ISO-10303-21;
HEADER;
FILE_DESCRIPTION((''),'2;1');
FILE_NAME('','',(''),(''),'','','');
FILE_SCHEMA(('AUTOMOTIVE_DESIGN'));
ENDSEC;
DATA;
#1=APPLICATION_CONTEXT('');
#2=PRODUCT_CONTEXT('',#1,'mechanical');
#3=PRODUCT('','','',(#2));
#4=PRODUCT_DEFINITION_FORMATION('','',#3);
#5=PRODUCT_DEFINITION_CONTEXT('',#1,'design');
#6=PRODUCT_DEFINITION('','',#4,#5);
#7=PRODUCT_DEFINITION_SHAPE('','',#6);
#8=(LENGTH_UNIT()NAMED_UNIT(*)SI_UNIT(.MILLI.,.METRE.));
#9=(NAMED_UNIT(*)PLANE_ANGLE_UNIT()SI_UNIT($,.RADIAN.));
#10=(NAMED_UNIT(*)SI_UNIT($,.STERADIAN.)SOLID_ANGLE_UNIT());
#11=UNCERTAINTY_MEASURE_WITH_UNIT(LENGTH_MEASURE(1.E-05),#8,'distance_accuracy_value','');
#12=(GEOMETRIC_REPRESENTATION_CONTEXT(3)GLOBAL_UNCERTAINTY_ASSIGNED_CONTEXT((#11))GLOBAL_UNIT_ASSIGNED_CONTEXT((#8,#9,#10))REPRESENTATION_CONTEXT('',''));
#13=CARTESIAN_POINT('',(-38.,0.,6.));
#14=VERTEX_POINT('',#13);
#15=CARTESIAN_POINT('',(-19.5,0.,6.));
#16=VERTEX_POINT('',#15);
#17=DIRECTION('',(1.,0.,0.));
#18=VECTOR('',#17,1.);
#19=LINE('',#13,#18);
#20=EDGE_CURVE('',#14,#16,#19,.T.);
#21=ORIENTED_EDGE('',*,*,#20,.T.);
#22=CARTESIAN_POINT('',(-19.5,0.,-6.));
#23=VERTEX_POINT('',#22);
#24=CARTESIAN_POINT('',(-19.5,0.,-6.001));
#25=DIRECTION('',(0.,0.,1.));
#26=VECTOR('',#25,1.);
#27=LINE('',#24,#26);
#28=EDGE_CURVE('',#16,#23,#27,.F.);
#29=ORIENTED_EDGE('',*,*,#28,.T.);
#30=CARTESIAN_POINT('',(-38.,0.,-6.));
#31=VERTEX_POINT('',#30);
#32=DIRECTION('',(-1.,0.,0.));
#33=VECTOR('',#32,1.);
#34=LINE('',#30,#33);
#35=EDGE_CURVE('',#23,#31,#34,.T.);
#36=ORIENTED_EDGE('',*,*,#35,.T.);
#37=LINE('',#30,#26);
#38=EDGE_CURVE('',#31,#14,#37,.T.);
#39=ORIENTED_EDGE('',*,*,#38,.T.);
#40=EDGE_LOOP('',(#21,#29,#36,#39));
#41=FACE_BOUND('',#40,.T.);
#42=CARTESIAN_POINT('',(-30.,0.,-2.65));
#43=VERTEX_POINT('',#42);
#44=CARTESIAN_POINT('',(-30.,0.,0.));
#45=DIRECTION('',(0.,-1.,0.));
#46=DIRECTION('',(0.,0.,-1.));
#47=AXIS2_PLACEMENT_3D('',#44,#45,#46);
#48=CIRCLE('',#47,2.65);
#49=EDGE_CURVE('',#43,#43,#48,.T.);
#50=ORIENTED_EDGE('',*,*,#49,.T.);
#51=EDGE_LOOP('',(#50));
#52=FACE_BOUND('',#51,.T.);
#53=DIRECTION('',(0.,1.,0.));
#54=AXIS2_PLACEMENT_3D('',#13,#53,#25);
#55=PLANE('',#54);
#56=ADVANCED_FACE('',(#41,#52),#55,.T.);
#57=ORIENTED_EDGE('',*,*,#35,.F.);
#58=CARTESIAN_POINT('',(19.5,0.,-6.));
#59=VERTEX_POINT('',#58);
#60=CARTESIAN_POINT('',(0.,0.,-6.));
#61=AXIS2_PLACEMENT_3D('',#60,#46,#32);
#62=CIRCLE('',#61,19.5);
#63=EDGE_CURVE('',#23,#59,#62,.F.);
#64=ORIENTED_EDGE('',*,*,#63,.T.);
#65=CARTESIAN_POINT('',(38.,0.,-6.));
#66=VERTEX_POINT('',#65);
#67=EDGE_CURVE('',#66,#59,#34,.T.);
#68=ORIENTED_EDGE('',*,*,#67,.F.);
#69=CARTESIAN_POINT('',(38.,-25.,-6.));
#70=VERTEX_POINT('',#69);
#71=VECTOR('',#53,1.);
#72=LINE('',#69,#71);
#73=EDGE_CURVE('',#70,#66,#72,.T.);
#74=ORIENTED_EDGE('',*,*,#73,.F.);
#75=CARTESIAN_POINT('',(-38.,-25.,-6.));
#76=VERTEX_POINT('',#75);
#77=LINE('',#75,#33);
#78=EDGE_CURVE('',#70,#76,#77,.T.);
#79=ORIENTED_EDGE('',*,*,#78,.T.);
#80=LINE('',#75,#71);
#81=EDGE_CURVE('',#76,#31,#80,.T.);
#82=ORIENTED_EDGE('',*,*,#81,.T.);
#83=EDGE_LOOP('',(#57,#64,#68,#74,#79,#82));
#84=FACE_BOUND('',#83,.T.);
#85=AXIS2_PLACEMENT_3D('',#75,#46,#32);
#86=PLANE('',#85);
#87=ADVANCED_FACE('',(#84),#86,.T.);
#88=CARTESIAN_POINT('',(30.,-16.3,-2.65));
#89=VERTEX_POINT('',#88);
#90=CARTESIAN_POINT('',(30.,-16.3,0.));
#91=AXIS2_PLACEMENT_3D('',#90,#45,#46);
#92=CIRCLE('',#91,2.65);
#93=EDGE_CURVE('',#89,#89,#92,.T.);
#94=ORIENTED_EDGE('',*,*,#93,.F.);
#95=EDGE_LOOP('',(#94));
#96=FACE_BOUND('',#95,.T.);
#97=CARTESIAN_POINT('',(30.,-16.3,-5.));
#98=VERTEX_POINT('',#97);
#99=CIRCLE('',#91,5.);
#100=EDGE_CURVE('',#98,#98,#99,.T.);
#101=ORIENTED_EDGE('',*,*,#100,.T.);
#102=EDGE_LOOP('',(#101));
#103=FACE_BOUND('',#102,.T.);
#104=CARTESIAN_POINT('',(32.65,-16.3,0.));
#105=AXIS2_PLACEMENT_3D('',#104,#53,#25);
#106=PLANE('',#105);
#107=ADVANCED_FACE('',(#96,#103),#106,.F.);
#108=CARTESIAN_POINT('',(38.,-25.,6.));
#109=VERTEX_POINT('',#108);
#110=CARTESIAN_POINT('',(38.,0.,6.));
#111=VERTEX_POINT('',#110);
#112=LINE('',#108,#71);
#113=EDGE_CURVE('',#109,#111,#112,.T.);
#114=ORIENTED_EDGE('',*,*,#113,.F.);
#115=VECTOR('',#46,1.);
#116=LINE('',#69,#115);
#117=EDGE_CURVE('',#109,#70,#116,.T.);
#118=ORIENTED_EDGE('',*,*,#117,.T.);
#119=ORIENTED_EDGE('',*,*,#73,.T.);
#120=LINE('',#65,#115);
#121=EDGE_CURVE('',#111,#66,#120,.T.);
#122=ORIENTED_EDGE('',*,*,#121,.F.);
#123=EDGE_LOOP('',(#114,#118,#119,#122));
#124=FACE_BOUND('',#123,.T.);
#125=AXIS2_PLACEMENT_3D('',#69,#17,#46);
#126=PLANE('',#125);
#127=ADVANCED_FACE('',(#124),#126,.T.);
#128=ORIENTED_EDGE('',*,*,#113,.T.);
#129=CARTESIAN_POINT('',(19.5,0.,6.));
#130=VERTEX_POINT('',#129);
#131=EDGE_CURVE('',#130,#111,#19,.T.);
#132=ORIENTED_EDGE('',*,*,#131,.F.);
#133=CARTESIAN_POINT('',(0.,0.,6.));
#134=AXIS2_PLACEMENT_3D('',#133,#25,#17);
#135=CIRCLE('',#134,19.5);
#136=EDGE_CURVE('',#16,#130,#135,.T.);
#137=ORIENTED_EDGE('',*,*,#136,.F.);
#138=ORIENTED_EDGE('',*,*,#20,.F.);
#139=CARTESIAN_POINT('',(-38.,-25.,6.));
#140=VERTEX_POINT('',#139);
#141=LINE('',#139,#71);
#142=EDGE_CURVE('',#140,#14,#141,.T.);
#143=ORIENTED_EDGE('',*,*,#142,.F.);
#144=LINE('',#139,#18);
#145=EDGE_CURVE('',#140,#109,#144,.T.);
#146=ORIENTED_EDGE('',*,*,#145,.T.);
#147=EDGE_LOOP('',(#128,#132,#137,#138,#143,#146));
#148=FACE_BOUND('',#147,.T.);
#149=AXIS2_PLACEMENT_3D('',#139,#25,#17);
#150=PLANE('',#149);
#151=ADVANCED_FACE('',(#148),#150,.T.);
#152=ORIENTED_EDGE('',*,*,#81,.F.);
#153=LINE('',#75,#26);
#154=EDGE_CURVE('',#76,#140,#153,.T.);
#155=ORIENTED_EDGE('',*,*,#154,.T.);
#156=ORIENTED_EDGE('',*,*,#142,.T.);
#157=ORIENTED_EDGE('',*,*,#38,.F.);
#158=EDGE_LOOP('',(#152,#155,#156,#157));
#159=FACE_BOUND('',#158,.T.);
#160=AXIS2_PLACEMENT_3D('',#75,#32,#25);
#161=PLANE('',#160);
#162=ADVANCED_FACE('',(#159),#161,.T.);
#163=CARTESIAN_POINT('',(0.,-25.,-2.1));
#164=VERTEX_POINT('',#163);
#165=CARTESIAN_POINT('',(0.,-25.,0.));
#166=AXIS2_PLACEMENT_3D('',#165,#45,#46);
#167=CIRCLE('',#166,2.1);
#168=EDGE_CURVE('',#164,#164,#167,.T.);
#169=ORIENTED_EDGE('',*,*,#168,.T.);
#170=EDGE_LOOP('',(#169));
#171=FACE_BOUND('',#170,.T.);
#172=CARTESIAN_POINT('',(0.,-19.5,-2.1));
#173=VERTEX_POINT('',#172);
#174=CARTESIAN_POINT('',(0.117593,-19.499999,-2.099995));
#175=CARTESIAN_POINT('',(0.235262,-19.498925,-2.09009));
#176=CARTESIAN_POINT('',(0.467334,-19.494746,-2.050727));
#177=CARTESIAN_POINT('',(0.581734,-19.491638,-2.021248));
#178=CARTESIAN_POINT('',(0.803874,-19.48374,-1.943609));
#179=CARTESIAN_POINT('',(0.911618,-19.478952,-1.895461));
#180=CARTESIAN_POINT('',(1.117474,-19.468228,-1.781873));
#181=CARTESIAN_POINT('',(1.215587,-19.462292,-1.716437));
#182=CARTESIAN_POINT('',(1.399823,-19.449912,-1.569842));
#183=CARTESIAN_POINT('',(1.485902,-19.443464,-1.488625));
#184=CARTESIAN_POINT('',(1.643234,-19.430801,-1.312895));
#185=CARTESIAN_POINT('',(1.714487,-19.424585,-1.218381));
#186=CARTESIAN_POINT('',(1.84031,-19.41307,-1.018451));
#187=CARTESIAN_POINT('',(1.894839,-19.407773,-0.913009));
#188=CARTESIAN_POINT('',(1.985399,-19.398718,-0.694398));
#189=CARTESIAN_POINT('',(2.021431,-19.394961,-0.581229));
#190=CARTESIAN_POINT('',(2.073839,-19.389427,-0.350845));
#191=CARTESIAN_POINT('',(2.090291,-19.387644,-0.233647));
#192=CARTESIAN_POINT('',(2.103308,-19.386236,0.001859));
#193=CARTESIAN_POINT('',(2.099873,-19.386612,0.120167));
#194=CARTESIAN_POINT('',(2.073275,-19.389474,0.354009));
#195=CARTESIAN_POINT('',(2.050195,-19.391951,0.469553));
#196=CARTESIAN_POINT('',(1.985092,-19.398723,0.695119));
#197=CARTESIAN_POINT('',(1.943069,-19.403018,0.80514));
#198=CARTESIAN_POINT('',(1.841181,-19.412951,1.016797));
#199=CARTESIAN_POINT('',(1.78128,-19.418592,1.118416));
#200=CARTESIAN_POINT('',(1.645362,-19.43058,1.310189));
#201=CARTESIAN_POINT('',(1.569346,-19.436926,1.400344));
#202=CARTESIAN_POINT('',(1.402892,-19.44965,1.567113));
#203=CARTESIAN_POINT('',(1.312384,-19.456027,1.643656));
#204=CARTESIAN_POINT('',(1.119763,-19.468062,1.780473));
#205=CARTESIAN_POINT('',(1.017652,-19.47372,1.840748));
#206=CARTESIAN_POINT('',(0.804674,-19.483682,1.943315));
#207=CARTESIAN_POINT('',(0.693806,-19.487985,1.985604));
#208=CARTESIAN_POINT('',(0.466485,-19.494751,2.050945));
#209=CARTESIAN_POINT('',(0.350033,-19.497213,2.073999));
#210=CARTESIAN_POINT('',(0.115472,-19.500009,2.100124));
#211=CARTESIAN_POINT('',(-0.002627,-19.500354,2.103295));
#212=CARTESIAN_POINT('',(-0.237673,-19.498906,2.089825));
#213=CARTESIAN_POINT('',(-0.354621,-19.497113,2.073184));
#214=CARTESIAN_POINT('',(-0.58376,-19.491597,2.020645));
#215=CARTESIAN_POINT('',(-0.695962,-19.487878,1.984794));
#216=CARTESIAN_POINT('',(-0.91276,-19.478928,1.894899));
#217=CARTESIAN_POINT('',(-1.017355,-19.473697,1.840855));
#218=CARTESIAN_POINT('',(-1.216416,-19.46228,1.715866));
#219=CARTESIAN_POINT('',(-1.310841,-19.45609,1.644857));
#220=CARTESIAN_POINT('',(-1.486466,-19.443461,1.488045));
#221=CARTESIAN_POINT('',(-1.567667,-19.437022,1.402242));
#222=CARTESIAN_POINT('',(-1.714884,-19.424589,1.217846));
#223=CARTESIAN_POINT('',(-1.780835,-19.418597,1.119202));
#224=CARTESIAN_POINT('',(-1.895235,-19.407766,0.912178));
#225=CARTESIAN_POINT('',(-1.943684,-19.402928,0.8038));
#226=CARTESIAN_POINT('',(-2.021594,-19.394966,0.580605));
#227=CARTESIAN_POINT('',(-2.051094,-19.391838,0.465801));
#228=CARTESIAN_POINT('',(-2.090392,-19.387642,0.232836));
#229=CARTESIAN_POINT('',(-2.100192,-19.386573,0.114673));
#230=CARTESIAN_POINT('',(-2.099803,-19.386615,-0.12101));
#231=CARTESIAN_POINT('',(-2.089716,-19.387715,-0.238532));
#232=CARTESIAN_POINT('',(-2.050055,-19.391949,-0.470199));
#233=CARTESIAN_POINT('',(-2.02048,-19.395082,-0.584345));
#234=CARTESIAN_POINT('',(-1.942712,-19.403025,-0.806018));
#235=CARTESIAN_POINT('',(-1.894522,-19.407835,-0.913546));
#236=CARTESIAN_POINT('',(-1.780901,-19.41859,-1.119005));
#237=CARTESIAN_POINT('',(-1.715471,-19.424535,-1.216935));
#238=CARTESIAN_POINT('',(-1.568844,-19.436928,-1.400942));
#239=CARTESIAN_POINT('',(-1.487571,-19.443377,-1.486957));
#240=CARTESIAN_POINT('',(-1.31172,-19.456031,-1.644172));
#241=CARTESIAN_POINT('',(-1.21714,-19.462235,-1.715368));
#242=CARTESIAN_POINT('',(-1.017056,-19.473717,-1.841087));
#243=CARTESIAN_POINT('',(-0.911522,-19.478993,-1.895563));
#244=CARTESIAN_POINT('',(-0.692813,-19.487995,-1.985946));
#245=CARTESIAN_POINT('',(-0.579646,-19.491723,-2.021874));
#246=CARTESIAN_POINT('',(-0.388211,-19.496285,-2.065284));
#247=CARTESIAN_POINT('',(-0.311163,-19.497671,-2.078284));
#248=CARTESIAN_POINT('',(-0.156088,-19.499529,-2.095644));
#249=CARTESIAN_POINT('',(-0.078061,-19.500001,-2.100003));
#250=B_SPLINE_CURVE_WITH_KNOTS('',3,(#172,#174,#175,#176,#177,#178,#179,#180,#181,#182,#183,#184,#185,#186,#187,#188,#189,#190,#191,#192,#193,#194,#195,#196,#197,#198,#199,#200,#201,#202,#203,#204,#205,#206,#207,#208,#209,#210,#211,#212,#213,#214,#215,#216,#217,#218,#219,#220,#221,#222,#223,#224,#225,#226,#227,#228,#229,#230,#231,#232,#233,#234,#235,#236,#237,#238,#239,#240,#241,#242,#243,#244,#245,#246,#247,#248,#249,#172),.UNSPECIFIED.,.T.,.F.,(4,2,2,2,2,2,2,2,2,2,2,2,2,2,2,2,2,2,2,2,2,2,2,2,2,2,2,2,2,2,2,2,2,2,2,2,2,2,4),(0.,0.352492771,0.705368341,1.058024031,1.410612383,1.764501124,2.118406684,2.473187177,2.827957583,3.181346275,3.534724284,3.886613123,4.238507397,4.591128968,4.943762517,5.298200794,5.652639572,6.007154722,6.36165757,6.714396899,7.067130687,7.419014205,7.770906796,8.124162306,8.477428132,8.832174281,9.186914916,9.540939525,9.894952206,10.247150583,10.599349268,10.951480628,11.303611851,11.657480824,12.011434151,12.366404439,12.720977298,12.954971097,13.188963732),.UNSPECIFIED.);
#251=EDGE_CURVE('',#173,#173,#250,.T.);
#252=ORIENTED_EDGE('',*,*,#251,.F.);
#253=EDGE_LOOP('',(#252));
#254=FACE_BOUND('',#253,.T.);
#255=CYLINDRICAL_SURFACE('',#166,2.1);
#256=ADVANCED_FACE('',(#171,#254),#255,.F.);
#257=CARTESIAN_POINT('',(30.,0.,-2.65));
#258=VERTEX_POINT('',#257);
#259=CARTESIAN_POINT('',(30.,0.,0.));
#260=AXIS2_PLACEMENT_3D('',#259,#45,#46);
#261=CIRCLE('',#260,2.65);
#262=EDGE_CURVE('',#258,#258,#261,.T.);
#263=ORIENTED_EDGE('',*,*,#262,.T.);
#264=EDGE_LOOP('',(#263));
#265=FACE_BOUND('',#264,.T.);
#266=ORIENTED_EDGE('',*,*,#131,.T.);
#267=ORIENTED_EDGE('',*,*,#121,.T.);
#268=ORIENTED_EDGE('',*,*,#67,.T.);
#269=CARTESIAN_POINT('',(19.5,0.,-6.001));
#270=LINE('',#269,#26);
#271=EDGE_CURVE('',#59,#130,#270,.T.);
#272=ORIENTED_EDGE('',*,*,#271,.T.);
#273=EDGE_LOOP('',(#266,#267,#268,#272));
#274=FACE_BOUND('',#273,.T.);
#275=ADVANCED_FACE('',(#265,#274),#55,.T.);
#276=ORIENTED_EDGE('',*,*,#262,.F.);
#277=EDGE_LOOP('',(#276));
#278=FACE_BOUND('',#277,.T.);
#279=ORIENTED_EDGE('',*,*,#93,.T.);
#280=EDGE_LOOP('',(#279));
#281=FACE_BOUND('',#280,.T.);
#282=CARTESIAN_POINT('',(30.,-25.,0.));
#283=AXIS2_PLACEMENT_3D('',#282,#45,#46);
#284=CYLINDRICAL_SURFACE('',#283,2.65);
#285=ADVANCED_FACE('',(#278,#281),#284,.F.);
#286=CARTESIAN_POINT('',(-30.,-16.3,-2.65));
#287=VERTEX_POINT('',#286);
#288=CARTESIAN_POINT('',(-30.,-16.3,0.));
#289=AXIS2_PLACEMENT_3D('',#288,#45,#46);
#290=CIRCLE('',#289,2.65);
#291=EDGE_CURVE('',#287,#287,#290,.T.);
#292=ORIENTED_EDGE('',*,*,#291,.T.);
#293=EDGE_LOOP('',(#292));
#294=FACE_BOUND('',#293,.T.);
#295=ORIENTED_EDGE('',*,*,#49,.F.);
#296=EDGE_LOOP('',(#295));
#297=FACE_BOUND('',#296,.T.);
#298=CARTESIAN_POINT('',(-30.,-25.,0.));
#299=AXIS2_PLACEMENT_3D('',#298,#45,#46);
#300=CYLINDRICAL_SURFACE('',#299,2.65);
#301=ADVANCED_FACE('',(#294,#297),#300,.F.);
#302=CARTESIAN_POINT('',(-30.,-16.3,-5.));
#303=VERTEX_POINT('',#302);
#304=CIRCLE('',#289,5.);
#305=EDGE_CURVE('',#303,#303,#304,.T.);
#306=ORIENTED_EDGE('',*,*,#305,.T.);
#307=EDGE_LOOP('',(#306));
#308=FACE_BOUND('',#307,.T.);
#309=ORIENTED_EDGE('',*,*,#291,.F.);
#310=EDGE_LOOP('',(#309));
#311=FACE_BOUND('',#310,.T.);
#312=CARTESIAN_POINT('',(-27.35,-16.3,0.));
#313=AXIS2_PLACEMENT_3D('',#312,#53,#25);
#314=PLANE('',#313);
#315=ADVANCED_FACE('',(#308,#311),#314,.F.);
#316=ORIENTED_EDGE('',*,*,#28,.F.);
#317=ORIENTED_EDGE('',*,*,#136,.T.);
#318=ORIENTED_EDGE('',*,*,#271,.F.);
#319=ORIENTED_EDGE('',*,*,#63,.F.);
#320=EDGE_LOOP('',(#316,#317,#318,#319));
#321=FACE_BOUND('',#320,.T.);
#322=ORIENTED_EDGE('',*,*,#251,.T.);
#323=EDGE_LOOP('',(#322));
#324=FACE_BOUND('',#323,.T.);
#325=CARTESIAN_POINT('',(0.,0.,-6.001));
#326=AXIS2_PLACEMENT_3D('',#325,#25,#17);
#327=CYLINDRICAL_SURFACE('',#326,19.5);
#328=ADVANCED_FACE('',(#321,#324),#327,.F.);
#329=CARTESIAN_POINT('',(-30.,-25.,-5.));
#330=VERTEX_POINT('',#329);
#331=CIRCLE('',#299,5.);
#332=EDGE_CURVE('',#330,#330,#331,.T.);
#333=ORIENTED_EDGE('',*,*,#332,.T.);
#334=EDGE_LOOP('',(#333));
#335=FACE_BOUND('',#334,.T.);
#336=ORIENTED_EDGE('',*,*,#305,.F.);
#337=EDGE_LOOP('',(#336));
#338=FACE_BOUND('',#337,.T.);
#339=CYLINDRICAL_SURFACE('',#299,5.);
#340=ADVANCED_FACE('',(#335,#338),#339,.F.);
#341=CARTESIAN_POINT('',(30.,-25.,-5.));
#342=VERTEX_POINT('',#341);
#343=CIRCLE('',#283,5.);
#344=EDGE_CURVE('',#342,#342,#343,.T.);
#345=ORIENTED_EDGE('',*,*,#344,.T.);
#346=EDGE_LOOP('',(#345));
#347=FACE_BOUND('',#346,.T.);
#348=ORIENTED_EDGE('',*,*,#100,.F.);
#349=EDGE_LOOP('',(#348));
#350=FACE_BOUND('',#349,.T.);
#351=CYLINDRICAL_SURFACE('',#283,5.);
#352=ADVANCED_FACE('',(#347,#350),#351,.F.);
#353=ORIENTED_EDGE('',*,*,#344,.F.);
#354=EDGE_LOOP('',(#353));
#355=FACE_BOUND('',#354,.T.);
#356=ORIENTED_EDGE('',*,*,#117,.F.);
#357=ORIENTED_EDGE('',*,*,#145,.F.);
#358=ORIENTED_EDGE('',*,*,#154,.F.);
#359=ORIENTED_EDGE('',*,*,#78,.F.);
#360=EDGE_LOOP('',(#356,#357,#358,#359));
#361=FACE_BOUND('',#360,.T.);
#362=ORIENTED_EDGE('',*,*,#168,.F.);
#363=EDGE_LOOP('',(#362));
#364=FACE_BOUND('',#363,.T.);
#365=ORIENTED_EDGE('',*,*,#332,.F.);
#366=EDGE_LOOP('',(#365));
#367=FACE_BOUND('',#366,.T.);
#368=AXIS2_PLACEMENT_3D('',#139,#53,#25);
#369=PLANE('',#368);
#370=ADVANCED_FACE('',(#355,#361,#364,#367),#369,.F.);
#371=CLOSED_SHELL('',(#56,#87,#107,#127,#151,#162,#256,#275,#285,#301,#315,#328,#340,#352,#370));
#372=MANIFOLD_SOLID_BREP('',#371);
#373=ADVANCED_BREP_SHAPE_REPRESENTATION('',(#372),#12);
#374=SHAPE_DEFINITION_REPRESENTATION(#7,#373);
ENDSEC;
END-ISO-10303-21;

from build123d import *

# Parameters (mm, degrees)
SKETCH_1_W                = 76
SKETCH_1_H                = 12
EXTRUDE_1_DEPTH           = 25
CUT_EXTRUDE_1_REACH       = 49.043
SKETCH_2_R                = 19.5
HOLE_WIZARD_M5_1_D        = 4.2
HOLE_WIZARD_1_D           = 5.3
HOLE_WIZARD_1_CBORE_D     = 10
HOLE_WIZARD_1_CBORE_DEPTH = 8.7


with BuildPart() as part:
    # 草图1 → 凸台-拉伸1 (new body)
    with BuildSketch(Plane(origin=(0, 0, 0), x_dir=(1, 0, 0), z_dir=(0, 1, 0))):
        Rectangle(SKETCH_1_W, SKETCH_1_H)
    extrude(amount=-EXTRUDE_1_DEPTH)

    # 草图2 → 切除-拉伸1 (cut, up to next)
    with BuildSketch(Plane.XY.offset(6), mode=Mode.PRIVATE) as cut_extrude_1_sk1:
        Circle(SKETCH_2_R)
    cut_extrude_1_tool1 = extrude(cut_extrude_1_sk1.sketch, amount=-CUT_EXTRUDE_1_REACH, mode=Mode.PRIVATE) & part.part
    add(cut_extrude_1_tool1.solids().sort_by_distance((0, 0, 6))[0], mode=Mode.SUBTRACT)

    # M5 螺纹孔1 (through all)
    with Locations(Plane.XZ.offset(25)):
        with Locations((0, 0)):
            Hole(HOLE_WIZARD_M5_1_D / 2)

    # 打孔尺寸根据内六角圆柱头螺钉的类型1 (through all)
    with Locations(Plane.XZ.offset(25)):
        with Locations((-30, 0), (30, 0)):
            CounterBoreHole(HOLE_WIZARD_1_D / 2, HOLE_WIZARD_1_CBORE_D / 2, HOLE_WIZARD_1_CBORE_DEPTH)


solid = part.part
